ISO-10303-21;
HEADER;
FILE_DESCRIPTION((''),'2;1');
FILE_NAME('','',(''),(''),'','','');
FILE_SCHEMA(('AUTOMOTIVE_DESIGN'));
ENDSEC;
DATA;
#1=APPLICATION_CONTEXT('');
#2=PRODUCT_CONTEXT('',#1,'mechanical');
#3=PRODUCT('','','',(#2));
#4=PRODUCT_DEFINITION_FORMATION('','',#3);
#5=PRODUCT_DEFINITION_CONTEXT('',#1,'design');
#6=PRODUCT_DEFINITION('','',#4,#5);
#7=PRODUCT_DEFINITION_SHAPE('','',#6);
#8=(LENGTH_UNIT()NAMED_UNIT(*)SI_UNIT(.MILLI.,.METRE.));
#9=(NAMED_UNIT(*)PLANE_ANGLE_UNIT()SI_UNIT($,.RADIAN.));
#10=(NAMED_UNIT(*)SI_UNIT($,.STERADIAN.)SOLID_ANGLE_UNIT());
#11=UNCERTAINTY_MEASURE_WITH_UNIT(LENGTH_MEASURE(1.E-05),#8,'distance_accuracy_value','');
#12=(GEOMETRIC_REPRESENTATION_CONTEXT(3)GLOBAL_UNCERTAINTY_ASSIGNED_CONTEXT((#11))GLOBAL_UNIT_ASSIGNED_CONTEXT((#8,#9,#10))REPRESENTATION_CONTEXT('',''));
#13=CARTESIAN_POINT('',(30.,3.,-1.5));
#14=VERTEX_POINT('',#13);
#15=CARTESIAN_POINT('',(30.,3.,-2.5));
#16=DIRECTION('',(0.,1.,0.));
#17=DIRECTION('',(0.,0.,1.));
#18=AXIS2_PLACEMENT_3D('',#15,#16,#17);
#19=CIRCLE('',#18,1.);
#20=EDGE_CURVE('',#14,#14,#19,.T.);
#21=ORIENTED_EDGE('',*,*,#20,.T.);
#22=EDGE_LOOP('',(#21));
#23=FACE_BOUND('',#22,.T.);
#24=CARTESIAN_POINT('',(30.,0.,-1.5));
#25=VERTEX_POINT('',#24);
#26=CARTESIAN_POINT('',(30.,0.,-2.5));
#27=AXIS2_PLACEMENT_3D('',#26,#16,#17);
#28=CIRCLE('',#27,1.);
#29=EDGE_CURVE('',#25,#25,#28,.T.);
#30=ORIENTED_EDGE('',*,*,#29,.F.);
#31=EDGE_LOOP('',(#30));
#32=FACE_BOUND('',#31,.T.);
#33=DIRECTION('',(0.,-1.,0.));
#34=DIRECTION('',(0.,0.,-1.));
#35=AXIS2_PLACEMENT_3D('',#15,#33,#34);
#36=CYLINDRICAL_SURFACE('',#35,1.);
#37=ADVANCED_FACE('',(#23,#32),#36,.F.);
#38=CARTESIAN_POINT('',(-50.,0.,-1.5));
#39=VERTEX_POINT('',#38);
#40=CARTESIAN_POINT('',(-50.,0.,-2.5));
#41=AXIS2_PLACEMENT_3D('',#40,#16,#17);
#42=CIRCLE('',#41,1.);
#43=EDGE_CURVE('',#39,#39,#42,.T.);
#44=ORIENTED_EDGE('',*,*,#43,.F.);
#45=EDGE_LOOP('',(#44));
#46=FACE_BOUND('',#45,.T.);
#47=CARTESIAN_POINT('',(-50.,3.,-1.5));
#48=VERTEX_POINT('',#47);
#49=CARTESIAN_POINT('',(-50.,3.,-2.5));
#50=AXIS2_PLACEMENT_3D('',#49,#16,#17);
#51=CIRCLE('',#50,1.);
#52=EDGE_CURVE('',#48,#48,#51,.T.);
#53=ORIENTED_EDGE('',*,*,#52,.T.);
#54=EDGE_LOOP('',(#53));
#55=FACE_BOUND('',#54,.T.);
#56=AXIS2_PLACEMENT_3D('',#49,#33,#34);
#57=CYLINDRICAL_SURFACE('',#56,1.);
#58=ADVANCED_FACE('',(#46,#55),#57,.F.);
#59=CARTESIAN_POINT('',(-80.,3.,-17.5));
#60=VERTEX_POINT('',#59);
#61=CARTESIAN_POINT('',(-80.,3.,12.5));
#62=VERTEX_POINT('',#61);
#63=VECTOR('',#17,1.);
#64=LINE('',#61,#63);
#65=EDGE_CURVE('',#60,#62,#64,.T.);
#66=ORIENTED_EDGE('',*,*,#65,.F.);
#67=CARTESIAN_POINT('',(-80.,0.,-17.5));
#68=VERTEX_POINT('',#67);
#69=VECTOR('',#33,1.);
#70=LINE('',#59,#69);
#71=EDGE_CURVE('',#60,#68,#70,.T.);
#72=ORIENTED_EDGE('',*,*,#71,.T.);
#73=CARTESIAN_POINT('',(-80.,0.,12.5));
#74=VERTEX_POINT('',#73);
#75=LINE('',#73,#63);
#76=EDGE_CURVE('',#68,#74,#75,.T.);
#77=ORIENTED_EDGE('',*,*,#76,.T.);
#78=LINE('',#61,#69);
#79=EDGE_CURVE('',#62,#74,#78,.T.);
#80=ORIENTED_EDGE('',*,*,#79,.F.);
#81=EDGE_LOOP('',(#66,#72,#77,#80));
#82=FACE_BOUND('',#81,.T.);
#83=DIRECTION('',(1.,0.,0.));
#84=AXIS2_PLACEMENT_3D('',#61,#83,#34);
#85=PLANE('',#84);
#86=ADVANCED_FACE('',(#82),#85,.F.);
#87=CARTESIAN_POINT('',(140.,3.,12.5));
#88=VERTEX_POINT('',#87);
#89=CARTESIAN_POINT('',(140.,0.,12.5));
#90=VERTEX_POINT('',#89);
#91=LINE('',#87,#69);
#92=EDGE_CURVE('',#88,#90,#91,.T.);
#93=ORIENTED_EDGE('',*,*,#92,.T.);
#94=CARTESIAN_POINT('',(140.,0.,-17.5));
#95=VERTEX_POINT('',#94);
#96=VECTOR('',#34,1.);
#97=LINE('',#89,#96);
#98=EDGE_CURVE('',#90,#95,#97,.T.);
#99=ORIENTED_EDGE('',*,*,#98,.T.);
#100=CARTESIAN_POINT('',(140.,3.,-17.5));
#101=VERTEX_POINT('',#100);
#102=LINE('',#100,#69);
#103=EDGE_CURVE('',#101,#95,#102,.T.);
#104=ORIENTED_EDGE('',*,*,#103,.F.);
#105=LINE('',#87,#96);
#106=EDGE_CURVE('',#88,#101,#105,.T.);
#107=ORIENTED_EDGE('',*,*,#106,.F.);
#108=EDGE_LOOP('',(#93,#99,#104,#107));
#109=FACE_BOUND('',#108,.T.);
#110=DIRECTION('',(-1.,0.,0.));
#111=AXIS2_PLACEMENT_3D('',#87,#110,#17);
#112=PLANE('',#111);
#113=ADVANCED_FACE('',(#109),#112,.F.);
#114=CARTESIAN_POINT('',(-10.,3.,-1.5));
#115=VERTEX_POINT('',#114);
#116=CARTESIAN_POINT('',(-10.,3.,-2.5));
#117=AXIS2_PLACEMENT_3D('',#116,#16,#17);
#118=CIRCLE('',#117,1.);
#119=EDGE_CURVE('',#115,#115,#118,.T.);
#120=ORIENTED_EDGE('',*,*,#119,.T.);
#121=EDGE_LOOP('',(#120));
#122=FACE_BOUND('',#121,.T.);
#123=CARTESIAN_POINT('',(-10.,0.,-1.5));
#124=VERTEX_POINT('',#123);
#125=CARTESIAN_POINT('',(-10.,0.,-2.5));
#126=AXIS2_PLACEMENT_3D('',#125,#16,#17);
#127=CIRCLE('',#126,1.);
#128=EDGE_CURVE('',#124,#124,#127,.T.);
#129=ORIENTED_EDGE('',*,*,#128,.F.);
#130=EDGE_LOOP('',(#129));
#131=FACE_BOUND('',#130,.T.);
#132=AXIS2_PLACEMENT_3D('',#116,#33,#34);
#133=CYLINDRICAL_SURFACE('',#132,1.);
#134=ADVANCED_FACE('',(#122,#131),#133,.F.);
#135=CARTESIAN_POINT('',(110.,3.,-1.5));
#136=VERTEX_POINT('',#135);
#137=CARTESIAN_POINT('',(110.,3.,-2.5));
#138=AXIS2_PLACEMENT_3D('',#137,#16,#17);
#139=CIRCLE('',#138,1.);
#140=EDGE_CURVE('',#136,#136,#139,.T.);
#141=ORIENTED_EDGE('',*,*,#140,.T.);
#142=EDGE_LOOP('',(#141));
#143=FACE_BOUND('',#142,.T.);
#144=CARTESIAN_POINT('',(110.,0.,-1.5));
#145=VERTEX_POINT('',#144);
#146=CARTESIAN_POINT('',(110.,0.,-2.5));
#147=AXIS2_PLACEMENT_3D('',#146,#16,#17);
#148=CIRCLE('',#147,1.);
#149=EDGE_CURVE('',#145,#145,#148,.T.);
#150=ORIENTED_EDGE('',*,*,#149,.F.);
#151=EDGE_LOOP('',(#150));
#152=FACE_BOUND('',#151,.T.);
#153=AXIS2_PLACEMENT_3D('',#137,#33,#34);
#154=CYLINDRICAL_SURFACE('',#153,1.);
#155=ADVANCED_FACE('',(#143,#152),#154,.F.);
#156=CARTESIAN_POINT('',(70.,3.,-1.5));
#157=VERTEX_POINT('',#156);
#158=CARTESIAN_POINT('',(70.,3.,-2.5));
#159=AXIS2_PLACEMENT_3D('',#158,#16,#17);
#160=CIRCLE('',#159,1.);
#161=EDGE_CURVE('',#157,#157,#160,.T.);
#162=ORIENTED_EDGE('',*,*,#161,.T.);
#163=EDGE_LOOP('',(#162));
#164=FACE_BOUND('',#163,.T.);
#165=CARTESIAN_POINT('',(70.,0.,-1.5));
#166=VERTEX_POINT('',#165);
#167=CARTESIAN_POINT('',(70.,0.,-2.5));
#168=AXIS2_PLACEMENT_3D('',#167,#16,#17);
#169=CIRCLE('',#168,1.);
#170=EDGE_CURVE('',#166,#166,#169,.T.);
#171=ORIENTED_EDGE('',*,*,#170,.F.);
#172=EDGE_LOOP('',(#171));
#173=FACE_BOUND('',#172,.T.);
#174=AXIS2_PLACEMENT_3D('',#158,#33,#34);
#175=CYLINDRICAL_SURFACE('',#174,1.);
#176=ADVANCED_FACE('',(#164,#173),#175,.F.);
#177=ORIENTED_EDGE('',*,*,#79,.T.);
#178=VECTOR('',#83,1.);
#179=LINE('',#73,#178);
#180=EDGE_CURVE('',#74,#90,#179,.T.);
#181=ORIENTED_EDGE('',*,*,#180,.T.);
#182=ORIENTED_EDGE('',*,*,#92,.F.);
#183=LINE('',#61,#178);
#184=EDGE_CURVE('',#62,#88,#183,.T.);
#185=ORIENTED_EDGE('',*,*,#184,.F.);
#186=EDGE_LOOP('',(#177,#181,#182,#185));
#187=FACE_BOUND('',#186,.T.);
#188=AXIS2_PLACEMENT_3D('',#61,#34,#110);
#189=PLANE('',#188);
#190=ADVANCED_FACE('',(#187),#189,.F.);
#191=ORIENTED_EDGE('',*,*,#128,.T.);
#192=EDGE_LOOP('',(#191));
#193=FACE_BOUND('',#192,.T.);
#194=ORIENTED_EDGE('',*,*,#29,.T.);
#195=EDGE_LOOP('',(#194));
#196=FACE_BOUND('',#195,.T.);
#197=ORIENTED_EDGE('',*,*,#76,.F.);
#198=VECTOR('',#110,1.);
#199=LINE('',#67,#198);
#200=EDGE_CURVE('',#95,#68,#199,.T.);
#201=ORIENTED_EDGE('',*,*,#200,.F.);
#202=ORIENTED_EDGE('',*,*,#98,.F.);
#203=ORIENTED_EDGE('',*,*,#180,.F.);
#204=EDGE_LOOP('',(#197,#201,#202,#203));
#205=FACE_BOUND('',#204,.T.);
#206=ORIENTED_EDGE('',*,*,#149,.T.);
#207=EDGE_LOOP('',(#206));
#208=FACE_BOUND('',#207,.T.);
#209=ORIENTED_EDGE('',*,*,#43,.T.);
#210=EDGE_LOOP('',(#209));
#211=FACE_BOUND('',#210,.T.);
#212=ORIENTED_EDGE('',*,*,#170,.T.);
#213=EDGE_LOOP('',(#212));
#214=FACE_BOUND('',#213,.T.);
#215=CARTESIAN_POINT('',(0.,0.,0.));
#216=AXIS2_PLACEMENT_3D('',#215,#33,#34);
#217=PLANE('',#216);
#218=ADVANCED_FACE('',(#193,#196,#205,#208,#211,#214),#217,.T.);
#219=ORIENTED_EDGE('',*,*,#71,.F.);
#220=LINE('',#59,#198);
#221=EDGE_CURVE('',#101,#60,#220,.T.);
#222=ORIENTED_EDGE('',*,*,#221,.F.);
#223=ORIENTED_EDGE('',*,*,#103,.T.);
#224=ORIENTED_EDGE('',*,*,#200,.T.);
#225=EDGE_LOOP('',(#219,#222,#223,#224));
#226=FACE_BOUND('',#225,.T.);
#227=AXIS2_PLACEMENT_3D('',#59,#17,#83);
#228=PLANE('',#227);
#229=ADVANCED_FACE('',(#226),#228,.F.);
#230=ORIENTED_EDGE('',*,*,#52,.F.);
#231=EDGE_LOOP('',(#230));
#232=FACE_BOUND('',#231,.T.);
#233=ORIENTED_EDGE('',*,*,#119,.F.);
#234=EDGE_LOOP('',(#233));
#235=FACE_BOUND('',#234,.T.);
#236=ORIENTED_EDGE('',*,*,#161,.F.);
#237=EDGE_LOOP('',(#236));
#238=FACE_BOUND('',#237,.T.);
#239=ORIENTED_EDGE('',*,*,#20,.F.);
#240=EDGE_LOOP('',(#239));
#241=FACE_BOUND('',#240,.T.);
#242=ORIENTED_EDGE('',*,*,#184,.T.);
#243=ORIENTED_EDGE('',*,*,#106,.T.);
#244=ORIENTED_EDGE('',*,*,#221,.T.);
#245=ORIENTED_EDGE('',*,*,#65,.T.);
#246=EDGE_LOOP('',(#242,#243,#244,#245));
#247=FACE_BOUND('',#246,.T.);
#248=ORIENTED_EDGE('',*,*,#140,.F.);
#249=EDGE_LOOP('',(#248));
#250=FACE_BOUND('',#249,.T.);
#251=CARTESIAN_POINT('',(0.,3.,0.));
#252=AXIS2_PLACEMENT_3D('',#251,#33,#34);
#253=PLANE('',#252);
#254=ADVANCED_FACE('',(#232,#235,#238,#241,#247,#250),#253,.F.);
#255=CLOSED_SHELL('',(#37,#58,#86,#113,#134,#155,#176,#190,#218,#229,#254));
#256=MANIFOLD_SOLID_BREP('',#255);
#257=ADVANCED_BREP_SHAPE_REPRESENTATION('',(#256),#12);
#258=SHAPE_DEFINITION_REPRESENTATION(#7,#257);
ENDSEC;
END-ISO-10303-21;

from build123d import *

# Parameters (mm, degrees)
SKETCH1_W           = 220
SKETCH1_H           = 30
SKETCH1_R           = 1
BOSS_EXTRUDE1_DEPTH = 3


with BuildPart() as part:
    # Sketch1 → Boss-Extrude1 (new body)
    with BuildSketch(Plane(origin=(0, 0, 0), x_dir=(1, 0, 0), z_dir=(0, 1, 0))):
        with Locations((30, 2.5)):
            Rectangle(SKETCH1_W, SKETCH1_H)
        with Locations(Location((-50, 2.5, 0), (0, 0, 270))):
            Circle(SKETCH1_R, mode=Mode.SUBTRACT)
        with Locations(Location((-10, 2.5, 0), (0, 0, 270))):
            Circle(SKETCH1_R, mode=Mode.SUBTRACT)
        with Locations(Location((30, 2.5, 0), (0, 0, 270))):
            Circle(SKETCH1_R, mode=Mode.SUBTRACT)
        with Locations(Location((70, 2.5, 0), (0, 0, 270))):
            Circle(SKETCH1_R, mode=Mode.SUBTRACT)
        with Locations(Location((110, 2.5, 0), (0, 0, 270))):
            Circle(SKETCH1_R, mode=Mode.SUBTRACT)
    extrude(amount=BOSS_EXTRUDE1_DEPTH)


solid = part.part
